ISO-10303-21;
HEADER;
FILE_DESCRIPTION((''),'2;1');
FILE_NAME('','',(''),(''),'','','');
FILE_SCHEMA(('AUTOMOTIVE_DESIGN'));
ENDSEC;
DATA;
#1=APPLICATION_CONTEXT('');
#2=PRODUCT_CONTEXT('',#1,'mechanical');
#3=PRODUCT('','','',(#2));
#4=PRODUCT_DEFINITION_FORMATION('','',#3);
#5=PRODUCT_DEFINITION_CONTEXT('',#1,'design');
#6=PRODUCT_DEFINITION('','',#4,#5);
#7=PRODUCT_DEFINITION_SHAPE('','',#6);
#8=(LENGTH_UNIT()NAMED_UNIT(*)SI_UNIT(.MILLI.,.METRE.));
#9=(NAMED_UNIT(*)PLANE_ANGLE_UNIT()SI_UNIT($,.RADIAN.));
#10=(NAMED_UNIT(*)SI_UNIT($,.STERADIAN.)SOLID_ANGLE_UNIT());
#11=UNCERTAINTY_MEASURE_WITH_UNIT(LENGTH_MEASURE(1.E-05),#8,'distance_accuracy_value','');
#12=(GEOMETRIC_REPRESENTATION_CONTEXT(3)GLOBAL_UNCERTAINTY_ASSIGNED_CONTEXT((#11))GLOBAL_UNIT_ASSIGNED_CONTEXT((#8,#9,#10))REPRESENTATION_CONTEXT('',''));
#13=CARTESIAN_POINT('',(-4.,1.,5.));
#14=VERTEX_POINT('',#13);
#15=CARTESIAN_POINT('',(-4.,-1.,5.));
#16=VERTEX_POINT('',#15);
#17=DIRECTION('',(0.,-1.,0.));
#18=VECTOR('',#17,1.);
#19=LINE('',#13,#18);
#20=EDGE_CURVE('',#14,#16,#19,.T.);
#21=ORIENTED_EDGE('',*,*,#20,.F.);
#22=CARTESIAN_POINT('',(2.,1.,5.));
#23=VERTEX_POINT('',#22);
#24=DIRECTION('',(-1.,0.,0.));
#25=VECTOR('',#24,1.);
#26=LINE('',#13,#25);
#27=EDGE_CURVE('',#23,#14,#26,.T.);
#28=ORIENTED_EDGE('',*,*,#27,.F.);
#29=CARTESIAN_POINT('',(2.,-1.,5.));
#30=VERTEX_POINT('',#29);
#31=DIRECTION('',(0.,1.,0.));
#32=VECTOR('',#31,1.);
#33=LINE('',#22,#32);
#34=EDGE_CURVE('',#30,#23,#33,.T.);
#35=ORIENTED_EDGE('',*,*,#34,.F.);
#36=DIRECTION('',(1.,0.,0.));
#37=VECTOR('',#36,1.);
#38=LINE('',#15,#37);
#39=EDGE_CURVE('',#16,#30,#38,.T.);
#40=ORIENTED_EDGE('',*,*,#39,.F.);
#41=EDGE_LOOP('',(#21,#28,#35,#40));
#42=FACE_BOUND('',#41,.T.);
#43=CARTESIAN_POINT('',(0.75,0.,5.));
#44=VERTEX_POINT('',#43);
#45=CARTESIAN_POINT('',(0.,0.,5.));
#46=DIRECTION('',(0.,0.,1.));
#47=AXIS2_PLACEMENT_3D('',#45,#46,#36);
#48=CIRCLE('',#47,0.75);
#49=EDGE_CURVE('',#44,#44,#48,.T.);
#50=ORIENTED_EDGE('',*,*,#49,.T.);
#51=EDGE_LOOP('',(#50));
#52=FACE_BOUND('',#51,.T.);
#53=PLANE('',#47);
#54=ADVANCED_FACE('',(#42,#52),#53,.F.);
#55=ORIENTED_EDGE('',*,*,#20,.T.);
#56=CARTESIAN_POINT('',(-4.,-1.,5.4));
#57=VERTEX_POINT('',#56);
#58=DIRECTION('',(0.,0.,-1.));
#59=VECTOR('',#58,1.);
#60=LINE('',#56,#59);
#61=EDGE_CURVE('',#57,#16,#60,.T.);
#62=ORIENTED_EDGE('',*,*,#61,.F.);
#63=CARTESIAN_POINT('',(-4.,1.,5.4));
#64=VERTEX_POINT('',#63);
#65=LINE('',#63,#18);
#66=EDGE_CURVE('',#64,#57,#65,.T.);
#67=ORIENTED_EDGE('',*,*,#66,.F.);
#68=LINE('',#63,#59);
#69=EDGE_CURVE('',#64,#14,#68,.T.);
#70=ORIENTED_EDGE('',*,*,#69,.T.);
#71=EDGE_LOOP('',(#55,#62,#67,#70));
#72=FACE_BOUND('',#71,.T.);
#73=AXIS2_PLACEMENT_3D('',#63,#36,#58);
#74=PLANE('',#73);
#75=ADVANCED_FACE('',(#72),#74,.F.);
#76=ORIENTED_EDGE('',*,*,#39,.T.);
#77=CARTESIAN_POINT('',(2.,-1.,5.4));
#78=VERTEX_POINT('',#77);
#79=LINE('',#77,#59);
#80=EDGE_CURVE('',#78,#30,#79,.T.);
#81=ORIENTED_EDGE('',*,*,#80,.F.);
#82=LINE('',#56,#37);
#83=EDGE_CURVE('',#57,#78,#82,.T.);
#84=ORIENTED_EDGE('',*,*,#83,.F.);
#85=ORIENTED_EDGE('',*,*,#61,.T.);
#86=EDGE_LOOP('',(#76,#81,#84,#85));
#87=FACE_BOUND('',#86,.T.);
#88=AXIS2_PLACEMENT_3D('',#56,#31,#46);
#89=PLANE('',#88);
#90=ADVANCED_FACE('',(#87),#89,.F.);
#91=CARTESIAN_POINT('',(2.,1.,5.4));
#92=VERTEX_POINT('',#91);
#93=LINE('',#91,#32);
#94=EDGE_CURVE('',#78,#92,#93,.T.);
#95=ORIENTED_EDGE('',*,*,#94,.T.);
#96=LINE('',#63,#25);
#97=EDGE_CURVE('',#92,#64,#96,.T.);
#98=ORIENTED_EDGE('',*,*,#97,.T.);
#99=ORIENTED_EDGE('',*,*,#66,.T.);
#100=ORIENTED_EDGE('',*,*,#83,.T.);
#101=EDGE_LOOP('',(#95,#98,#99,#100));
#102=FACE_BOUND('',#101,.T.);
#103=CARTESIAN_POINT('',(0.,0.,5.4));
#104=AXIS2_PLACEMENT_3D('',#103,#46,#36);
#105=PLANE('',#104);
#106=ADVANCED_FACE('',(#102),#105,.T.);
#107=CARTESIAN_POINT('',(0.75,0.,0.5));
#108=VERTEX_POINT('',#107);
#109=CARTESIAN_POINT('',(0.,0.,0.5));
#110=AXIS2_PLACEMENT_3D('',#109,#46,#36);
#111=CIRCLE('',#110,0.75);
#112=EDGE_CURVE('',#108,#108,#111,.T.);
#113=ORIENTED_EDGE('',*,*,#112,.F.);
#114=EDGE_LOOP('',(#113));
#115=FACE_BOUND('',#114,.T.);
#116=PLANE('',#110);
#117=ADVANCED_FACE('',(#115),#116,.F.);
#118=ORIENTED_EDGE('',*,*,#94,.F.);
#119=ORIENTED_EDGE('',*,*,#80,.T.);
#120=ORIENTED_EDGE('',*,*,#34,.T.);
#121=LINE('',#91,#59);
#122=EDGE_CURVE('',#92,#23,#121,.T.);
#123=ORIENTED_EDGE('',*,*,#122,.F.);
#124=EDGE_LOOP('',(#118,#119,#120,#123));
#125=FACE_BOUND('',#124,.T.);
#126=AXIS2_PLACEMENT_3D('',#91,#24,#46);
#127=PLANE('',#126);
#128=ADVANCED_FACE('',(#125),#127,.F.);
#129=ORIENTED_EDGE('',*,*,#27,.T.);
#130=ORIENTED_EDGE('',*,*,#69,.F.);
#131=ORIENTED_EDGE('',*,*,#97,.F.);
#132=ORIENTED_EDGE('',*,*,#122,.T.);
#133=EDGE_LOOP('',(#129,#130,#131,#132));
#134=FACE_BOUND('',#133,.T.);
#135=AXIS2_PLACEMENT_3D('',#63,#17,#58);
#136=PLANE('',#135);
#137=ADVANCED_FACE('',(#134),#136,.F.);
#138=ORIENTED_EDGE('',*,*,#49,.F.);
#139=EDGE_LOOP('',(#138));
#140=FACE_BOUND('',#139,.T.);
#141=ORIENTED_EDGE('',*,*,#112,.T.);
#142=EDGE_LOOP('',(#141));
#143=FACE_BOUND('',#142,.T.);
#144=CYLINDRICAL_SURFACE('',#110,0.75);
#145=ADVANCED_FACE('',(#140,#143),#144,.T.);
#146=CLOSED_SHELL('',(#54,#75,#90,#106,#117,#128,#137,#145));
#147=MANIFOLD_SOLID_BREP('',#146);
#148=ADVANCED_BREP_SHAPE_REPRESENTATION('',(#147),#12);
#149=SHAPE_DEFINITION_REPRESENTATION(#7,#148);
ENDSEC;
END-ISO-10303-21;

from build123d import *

# Parameters (mm, degrees)
SKETCH4_W           = 6
SKETCH4_H           = 2
BOSS_EXTRUDE3_DEPTH = 0.4
SKETCH6_R           = 0.75
BOSS_EXTRUDE4_DEPTH = 4.5


with BuildPart() as part:
    # Sketch4 → Boss-Extrude3 (new body)
    with BuildSketch(Plane.XY.offset(5)):
        with Locations((-1, 0)):
            Rectangle(SKETCH4_W, SKETCH4_H)
    extrude(amount=BOSS_EXTRUDE3_DEPTH)

    # Sketch6 → Boss-Extrude4 (add)
    with BuildSketch(Plane.XY.offset(5)):
        Circle(SKETCH6_R)
    extrude(amount=-BOSS_EXTRUDE4_DEPTH)


solid = part.part
